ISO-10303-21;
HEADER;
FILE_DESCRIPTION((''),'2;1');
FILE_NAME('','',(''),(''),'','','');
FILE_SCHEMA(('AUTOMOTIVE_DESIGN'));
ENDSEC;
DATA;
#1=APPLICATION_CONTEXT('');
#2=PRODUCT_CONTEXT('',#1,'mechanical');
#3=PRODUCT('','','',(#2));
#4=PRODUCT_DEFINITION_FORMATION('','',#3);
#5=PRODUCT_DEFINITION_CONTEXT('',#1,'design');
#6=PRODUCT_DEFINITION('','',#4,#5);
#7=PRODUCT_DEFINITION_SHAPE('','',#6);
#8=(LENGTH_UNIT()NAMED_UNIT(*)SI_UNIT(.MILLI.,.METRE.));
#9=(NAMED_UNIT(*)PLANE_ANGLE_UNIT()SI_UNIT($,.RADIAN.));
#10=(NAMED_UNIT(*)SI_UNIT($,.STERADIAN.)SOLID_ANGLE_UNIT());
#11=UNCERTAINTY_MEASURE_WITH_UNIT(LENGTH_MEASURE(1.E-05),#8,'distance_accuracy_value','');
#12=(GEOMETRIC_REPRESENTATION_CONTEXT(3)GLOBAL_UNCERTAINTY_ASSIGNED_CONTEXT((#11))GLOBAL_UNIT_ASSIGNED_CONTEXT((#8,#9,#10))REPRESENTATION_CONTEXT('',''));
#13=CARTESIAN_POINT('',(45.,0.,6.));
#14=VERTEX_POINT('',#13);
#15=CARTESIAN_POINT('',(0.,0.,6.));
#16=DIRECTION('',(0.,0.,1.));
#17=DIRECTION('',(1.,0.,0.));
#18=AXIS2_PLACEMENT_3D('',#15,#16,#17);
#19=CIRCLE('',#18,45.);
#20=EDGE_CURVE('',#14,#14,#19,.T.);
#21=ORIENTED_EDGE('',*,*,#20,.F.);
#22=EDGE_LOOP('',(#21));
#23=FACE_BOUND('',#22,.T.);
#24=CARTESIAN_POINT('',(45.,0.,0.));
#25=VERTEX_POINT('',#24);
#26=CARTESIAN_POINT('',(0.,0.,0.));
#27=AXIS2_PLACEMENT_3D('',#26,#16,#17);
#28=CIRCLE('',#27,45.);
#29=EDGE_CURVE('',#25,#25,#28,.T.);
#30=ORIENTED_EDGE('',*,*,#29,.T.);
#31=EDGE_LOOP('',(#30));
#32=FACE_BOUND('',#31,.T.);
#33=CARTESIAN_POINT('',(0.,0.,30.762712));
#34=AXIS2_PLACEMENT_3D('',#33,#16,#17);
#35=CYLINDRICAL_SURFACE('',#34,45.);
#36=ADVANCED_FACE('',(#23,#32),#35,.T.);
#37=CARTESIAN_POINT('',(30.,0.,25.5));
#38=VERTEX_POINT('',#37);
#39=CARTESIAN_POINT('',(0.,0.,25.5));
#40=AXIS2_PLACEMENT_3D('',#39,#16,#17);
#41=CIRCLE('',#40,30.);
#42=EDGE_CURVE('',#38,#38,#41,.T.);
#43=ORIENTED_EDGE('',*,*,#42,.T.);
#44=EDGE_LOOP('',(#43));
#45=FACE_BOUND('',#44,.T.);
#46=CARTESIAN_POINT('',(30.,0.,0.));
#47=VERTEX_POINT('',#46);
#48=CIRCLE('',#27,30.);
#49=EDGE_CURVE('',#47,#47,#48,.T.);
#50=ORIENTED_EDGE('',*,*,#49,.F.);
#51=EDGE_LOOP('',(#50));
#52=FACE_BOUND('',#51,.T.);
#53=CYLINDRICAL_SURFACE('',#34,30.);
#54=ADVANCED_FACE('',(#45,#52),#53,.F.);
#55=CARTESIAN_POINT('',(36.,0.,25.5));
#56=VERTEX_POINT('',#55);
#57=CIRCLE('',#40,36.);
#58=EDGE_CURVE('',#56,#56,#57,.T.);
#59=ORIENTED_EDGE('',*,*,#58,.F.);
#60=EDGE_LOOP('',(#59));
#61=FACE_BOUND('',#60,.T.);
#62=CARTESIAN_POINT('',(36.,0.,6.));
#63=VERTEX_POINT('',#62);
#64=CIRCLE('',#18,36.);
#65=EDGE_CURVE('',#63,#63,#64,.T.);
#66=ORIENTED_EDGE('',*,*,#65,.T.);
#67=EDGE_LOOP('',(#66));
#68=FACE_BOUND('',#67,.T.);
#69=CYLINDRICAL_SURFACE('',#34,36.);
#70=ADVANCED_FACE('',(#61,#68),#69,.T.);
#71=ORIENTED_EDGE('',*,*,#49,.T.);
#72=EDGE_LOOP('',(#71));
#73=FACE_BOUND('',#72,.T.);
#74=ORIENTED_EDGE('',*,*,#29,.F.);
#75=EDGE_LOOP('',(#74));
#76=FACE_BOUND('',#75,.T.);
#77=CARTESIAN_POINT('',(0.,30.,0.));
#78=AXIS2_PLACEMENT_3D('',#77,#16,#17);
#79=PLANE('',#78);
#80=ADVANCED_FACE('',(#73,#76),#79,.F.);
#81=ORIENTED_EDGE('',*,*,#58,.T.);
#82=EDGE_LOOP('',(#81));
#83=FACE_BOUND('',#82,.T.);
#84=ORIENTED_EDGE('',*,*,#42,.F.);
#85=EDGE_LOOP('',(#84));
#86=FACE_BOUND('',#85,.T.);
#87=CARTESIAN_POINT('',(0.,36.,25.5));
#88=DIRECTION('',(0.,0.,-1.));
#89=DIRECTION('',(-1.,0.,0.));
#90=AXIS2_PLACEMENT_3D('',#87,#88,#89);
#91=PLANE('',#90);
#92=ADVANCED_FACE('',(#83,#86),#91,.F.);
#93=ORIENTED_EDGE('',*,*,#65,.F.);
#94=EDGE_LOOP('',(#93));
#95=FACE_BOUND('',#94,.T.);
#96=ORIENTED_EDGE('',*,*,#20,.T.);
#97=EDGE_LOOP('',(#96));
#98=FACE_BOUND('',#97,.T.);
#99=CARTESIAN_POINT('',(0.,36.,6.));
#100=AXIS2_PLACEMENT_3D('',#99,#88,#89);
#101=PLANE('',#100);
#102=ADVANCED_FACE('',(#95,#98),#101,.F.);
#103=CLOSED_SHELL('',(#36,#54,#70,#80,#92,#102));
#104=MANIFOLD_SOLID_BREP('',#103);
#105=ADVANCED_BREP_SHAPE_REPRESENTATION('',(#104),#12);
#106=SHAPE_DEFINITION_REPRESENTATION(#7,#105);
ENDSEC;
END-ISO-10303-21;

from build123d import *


with BuildPart() as part:
    # Sketch1 → Revolve1 (revolve)
    with BuildSketch(Plane(origin=(0, 0, 0), x_dir=(0, 0, -1), z_dir=(1, 0, 0))):
        Polygon((-25.5, 30), (0, 30), (0, 45), (-6, 45), (-6, 36), (-25.5, 36), align=None)
    revolve(axis=Axis((0, 0, 30.762711864), (0, 0, -1)))


solid = part.part
